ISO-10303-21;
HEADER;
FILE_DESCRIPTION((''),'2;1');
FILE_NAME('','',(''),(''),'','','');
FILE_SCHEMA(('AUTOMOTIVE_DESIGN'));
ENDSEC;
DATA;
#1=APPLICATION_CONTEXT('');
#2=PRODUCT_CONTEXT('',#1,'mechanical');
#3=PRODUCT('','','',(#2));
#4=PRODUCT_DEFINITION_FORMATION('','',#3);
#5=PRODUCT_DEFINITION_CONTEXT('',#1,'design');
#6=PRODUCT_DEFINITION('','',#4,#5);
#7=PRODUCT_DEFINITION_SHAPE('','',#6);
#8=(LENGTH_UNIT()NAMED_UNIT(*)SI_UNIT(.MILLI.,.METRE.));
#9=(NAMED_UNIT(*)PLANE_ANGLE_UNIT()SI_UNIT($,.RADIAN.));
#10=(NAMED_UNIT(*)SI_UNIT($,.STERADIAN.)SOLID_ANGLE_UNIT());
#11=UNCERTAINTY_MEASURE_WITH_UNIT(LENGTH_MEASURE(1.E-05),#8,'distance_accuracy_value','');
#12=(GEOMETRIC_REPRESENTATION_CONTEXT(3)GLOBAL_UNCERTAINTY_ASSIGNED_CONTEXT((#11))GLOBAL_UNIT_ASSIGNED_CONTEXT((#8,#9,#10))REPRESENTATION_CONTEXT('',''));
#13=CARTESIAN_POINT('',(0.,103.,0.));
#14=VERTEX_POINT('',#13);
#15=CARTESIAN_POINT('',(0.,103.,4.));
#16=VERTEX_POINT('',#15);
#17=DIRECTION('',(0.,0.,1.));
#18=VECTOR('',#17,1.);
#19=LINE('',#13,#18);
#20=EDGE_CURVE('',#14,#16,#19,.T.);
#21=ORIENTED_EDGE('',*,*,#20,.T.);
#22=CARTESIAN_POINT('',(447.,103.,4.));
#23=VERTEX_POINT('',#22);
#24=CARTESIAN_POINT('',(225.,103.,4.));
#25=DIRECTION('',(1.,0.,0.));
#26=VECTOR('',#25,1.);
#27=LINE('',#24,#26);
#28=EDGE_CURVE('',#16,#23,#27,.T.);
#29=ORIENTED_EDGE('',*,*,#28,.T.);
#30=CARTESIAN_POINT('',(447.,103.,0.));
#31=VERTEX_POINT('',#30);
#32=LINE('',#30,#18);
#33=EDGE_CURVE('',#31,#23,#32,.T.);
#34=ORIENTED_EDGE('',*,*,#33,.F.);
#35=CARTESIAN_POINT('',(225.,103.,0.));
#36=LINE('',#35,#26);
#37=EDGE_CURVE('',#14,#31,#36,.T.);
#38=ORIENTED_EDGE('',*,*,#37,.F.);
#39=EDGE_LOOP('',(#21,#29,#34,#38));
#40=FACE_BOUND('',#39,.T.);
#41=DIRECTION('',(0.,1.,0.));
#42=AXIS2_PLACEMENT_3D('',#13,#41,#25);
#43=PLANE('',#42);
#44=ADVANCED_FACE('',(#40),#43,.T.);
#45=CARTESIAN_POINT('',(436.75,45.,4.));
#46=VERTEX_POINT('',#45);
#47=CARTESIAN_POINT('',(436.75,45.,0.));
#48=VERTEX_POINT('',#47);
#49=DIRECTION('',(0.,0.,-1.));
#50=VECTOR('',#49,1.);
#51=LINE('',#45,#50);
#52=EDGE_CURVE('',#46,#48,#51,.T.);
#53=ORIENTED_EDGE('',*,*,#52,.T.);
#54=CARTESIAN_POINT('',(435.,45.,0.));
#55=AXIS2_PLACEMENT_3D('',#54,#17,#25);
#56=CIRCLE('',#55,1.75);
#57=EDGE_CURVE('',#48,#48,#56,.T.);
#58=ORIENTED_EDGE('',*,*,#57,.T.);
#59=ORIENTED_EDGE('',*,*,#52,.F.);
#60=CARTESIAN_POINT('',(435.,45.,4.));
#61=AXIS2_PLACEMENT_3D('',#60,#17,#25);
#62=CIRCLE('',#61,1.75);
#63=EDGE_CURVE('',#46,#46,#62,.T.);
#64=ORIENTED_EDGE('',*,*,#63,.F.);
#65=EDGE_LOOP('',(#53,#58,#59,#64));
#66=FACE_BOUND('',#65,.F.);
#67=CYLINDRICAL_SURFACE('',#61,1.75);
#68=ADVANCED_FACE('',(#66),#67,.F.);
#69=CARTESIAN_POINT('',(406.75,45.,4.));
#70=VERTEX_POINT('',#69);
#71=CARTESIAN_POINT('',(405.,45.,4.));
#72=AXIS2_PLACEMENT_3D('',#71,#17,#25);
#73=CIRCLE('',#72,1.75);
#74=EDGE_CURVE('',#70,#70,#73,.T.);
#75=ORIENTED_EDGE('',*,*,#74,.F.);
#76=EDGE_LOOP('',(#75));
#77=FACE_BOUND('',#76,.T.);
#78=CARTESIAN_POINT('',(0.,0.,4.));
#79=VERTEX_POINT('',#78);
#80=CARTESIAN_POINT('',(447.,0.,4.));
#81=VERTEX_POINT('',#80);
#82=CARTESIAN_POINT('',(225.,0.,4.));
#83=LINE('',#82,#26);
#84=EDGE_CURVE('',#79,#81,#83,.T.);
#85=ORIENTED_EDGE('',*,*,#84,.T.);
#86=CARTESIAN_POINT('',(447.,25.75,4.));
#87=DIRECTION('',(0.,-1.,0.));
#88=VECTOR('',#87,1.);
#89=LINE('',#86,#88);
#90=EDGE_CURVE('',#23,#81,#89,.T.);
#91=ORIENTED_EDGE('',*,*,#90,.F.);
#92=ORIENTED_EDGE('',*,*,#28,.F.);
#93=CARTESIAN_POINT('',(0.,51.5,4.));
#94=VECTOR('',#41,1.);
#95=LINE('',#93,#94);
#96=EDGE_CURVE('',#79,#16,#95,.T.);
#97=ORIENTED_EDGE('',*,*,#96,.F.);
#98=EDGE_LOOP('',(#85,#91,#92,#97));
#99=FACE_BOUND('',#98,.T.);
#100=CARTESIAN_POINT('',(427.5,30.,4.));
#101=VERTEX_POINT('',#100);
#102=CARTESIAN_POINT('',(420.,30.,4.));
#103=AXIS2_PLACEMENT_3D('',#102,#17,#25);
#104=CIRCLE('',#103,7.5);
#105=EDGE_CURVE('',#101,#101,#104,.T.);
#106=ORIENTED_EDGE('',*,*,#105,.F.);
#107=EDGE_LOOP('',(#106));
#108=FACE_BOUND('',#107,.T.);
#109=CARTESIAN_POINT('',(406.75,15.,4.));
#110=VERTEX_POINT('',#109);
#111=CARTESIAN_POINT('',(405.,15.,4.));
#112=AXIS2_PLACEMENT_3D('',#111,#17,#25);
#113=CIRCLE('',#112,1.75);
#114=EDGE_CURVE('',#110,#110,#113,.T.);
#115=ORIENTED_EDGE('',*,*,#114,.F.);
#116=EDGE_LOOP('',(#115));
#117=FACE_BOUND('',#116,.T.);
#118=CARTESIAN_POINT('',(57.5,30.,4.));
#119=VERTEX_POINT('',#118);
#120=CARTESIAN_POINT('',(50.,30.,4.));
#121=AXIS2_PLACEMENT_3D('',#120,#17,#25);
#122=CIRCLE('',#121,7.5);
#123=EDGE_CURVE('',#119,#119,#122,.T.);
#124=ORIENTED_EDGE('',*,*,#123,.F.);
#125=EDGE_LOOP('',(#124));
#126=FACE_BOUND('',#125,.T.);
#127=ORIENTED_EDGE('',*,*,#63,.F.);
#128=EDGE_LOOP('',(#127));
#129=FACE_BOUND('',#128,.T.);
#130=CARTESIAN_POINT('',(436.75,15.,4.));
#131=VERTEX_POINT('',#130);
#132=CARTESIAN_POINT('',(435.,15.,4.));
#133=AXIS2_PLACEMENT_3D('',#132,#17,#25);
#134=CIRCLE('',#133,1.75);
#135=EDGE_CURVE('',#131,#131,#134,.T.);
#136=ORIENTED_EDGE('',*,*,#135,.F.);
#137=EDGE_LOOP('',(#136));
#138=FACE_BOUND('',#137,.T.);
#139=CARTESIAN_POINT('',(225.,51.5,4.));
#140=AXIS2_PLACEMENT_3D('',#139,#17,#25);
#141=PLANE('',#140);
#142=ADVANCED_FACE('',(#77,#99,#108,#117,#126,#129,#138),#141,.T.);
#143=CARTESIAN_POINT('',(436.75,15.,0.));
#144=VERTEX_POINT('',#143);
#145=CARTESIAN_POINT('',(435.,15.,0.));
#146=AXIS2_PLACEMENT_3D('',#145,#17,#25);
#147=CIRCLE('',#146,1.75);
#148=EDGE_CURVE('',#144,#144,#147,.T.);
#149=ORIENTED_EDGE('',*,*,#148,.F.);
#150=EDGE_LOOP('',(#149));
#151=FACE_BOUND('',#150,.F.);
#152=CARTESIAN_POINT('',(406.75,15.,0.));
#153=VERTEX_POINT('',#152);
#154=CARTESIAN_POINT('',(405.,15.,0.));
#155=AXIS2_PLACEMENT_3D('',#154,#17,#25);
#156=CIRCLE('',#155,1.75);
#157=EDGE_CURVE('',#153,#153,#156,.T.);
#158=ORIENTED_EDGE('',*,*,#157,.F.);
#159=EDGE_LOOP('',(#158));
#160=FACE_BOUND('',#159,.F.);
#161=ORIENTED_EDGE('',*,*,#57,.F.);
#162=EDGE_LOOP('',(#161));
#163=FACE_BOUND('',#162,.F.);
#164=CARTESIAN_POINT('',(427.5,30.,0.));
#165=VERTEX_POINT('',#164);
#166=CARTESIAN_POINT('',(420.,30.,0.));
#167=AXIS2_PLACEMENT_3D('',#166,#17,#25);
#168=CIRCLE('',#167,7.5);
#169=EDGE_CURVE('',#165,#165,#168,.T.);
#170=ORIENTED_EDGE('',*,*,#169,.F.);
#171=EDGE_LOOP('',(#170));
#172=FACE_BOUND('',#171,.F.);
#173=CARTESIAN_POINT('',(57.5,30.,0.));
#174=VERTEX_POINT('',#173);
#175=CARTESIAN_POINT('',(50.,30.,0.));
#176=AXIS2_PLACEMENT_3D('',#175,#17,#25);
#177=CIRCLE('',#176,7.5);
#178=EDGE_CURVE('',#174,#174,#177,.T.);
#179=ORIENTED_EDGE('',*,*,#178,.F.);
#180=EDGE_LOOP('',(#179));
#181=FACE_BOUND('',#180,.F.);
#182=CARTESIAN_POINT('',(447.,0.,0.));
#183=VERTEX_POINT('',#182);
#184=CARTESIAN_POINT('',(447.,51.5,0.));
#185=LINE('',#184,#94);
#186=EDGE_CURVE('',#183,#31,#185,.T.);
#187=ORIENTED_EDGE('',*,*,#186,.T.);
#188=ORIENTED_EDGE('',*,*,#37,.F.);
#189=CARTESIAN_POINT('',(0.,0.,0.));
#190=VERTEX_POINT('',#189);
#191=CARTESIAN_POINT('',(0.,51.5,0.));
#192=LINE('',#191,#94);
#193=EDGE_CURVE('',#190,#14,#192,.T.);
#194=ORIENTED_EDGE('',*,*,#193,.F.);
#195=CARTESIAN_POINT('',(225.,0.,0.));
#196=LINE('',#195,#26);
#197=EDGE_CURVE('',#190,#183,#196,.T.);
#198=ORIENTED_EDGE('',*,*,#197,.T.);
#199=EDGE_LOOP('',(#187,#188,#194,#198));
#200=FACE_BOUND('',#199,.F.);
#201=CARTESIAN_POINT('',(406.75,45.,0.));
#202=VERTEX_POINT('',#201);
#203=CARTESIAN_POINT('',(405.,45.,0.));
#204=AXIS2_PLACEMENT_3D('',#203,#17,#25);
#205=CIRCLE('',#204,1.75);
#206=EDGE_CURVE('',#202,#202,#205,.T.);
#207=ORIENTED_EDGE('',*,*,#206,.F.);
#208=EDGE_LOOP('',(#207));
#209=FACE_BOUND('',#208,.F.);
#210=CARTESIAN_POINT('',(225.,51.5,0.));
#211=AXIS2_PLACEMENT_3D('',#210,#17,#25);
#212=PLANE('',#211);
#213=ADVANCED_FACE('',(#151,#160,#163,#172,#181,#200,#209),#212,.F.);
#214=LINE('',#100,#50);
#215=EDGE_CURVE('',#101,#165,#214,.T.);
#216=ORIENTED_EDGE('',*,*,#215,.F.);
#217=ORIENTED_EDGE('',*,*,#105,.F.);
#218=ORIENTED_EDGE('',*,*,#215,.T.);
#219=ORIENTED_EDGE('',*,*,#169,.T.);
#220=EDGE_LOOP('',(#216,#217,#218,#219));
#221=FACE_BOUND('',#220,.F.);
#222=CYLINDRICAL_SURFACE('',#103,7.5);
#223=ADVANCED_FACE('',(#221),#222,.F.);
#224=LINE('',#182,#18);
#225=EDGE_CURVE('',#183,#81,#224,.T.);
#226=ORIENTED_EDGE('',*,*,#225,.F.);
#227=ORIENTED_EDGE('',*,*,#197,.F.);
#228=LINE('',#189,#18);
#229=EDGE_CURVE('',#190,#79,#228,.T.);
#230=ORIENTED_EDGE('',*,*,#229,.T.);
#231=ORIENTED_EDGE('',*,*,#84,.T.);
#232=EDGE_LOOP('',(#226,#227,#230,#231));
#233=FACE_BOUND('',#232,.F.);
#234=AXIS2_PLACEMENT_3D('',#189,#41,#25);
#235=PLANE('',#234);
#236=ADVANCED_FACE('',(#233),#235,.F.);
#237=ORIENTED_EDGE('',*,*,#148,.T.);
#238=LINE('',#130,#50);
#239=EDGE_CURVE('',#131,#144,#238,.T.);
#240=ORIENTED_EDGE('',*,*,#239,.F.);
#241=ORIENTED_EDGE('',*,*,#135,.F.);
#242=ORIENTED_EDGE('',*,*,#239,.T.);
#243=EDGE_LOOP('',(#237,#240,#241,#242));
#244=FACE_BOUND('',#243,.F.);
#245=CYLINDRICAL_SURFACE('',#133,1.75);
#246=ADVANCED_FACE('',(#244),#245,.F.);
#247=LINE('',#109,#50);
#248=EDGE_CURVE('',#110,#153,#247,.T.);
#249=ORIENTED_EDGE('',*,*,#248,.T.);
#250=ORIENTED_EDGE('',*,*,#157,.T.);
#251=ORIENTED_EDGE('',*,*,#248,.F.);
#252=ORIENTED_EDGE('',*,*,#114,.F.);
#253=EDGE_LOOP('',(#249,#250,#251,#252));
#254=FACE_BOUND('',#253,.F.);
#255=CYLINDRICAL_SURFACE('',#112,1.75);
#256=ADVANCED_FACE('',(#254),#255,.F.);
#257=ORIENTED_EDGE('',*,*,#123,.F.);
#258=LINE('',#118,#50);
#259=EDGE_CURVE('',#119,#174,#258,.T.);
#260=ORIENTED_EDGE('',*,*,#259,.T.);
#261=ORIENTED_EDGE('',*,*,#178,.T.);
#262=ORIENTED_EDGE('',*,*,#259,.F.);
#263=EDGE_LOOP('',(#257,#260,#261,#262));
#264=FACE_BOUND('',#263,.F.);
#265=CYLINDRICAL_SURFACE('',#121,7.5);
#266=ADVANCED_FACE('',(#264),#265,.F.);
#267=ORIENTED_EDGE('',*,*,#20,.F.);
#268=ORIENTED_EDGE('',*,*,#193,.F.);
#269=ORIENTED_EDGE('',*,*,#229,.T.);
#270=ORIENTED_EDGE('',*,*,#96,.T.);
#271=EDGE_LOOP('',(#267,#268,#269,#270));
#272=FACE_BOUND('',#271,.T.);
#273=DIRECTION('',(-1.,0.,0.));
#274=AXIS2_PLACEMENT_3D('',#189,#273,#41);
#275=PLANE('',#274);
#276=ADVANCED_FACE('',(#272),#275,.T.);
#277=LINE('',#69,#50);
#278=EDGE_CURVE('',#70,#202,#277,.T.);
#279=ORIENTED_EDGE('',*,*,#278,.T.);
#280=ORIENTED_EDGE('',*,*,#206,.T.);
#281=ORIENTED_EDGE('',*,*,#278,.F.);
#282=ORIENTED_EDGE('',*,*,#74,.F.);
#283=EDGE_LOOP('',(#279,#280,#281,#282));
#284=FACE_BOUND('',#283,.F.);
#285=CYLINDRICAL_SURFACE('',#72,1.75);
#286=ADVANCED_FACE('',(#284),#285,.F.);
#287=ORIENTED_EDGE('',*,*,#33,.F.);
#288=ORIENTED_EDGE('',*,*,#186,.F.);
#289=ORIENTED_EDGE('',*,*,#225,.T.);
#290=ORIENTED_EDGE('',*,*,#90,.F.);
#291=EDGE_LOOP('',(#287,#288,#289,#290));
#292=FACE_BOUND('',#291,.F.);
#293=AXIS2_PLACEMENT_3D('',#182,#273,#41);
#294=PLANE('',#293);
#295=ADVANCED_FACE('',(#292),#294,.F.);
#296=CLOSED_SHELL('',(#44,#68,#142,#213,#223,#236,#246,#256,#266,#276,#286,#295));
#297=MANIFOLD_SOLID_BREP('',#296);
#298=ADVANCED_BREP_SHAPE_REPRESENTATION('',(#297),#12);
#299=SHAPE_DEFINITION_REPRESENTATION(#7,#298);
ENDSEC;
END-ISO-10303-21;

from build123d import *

# Parameters (mm, degrees)
SKETCH1_W           = 450
SKETCH1_H           = 103
BOSS_EXTRUDE1_DEPTH = 4
SKETCH6_R           = 7.5
CUT_EXTRUDE4_DEPTH  = 5
SKETCH7_R           = 7.5
CUT_EXTRUDE5_DEPTH  = 5
SKETCH8_R           = 1.75
CUT_EXTRUDE6_DEPTH  = 5
SKETCH10_W          = 3
SKETCH10_H          = 103
CUT_EXTRUDE7_DEPTH  = 10


with BuildPart() as part:
    # Sketch1 → Boss-Extrude1 (new body)
    with BuildSketch(Plane.XY):
        with Locations((225, 51.5)):
            Rectangle(SKETCH1_W, SKETCH1_H)
    extrude(amount=BOSS_EXTRUDE1_DEPTH)

    # Sketch6 → Cut-Extrude4 (cut, through all)
    with BuildSketch(Plane.XY.offset(4)):
        with Locations((50, 30)):
            Circle(SKETCH6_R)
    extrude(amount=-CUT_EXTRUDE4_DEPTH, mode=Mode.SUBTRACT)

    # Sketch7 → Cut-Extrude5 (cut, through all)
    with BuildSketch(Plane.XY.offset(4)):
        with Locations((420, 30)):
            Circle(SKETCH7_R)
    extrude(amount=-CUT_EXTRUDE5_DEPTH, mode=Mode.SUBTRACT)

    # Sketch8 → Cut-Extrude6 (cut, through all)
    with BuildSketch(Plane.XY.offset(4)):
        with Locations((435, 45)):
            Circle(SKETCH8_R)
        with Locations((405, 45)):
            Circle(SKETCH8_R)
        with Locations((405, 15)):
            Circle(SKETCH8_R)
        with Locations((435, 15)):
            Circle(SKETCH8_R)
    extrude(amount=-CUT_EXTRUDE6_DEPTH, mode=Mode.SUBTRACT)

    # Sketch10 → Cut-Extrude7 (cut)
    with BuildSketch(Plane(origin=(0, 0, 0), x_dir=(-1, 0, 0), z_dir=(0, 0, -1))):
        with Locations((-448.5, 51.5)):
            Rectangle(SKETCH10_W, SKETCH10_H)
    extrude(amount=-CUT_EXTRUDE7_DEPTH, mode=Mode.SUBTRACT)


solid = part.part
